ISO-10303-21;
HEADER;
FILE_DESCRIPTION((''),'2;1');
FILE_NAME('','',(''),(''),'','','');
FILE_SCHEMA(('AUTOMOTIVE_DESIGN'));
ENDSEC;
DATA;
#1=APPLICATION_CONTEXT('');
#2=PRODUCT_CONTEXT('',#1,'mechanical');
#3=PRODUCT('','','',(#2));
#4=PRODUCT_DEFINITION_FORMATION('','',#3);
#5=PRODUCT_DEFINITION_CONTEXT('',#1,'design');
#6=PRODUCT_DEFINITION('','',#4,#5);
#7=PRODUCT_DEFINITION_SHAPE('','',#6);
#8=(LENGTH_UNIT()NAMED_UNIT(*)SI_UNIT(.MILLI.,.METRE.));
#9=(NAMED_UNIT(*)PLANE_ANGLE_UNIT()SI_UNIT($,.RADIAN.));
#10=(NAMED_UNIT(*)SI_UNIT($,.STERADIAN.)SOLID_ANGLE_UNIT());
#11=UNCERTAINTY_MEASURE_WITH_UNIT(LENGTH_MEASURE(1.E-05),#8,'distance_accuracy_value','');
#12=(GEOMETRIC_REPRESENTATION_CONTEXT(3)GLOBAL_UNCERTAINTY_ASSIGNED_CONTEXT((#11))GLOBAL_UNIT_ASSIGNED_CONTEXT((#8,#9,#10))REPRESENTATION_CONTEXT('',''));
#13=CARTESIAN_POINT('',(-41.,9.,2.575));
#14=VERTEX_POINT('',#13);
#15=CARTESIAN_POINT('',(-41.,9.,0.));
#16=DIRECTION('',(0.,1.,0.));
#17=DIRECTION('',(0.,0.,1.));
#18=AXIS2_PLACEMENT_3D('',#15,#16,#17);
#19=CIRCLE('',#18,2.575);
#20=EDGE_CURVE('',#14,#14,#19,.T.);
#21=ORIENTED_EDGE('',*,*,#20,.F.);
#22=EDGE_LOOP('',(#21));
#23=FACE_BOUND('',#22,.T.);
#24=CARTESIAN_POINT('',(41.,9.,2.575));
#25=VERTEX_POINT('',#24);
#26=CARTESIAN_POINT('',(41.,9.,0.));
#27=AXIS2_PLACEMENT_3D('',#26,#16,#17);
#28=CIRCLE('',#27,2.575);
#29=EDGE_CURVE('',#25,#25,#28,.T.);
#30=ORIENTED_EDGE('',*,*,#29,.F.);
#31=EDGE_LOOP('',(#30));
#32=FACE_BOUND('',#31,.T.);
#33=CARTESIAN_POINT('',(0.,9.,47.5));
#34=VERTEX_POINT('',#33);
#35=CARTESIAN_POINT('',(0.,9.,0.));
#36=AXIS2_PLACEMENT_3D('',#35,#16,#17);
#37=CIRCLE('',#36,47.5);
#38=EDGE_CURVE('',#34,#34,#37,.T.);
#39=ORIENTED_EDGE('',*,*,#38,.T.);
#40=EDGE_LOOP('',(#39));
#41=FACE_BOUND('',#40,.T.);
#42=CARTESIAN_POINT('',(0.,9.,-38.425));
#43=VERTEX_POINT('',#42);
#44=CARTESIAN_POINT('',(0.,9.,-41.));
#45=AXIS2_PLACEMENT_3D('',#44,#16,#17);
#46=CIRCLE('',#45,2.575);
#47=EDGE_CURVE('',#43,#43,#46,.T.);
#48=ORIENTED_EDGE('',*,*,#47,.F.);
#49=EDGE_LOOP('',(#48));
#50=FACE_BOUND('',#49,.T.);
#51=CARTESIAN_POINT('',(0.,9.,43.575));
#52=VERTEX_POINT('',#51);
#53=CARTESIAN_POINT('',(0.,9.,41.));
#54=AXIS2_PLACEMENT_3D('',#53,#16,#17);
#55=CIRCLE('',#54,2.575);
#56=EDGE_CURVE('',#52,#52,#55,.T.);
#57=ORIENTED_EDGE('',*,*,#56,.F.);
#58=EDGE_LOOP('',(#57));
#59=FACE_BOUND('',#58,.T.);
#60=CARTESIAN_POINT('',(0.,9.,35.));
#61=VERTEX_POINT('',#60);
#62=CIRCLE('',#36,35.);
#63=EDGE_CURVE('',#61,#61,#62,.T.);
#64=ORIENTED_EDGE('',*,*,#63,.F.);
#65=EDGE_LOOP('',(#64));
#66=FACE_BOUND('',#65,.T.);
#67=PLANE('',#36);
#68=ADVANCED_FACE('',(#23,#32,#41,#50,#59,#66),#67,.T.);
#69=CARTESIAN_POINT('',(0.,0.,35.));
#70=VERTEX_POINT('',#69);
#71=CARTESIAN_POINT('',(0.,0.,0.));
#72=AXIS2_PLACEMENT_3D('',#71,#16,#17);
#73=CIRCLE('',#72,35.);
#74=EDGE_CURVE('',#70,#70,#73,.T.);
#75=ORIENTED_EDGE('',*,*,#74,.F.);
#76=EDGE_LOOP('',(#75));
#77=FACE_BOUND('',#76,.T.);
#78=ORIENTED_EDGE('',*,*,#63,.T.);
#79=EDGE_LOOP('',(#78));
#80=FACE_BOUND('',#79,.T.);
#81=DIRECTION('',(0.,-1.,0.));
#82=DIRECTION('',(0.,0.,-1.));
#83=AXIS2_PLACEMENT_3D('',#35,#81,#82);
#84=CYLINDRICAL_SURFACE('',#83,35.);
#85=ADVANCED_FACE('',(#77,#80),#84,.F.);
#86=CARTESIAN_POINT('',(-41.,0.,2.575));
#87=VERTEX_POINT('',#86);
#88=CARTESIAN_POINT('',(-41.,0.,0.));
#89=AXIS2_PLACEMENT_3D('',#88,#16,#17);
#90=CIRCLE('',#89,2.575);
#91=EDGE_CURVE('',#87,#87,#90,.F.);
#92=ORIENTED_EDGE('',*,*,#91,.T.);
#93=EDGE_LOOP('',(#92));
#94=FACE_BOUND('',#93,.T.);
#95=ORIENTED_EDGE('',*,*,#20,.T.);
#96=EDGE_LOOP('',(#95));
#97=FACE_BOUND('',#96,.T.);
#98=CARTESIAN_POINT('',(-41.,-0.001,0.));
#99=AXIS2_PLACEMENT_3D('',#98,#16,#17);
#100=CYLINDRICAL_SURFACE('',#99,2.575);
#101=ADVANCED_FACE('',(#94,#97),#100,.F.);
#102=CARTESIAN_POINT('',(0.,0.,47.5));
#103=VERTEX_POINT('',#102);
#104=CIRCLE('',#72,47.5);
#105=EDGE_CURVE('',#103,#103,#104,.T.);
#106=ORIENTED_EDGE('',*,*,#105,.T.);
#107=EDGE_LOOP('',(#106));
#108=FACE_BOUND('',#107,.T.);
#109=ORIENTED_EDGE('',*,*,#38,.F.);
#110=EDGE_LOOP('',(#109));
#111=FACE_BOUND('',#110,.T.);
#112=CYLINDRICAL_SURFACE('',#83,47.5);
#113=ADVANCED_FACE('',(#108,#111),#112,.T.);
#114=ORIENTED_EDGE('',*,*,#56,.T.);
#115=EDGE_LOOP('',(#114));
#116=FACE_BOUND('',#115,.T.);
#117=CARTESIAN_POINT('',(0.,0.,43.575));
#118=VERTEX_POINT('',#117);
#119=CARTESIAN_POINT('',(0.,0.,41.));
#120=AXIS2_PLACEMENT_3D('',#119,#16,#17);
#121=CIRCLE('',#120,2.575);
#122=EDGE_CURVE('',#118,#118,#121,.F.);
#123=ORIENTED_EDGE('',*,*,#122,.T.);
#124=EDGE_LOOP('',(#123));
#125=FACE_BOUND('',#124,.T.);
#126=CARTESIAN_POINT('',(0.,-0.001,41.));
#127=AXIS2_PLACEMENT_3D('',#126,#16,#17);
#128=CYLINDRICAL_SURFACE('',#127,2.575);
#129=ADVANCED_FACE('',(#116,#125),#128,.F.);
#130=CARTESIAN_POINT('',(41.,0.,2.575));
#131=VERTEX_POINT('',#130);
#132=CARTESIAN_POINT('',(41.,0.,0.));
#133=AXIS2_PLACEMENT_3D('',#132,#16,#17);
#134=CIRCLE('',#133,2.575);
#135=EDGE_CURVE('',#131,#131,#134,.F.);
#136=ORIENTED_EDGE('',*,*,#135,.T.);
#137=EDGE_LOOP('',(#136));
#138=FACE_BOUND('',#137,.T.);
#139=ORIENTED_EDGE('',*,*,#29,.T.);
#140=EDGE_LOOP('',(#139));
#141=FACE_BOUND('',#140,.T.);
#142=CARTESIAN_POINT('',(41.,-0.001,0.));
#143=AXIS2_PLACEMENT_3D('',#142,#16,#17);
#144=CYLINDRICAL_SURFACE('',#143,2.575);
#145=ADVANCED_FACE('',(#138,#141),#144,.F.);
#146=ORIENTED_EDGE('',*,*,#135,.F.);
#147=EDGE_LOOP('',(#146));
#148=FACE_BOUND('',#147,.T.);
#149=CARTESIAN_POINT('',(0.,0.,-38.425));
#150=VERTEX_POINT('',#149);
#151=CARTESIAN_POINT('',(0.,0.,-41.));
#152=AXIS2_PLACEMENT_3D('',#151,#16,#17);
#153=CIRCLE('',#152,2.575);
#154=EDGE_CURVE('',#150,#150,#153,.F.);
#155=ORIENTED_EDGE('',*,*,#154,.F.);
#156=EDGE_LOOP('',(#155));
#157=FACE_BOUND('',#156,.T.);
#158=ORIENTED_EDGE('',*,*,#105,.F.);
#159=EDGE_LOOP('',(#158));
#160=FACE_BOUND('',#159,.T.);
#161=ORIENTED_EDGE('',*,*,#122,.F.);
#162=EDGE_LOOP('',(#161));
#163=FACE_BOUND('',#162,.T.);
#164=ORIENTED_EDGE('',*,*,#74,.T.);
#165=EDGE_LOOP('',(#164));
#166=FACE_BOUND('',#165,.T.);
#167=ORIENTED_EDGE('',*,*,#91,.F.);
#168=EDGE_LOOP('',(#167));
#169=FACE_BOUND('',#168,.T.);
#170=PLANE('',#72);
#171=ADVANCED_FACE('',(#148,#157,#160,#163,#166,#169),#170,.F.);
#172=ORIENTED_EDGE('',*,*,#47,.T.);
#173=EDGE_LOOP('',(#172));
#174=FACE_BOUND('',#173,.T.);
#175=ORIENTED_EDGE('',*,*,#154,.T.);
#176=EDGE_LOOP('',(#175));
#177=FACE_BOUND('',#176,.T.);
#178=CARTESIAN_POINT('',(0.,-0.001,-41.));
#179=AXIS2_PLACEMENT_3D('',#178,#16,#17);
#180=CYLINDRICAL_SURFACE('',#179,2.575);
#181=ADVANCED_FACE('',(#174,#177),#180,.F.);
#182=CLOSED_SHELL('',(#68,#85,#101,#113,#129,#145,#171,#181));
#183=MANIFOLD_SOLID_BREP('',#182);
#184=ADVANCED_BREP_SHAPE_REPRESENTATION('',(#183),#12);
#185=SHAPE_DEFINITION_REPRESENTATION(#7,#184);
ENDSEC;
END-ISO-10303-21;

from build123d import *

# Parameters (mm, degrees)
SKETCH_1_R          = 47.5
SKETCH_1_R_2        = 35
EXTRUDE_1_DEPTH     = 9
CUT_EXTRUDE_1_REACH = 69.775
SKETCH_2_R          = 2.575


with BuildPart() as part:
    # 草图1 → 凸台-拉伸1 (new body)
    with BuildSketch(Plane(origin=(0, 0, 0), x_dir=(1, 0, 0), z_dir=(0, 1, 0))):
        with Locations(Location((0, 0, 0), (0, 0, 270))):
            Circle(SKETCH_1_R)
        with Locations(Location((0, 0, 0), (0, 0, 270))):
            Circle(SKETCH_1_R_2, mode=Mode.SUBTRACT)
    extrude(amount=EXTRUDE_1_DEPTH)

    # 草图2 → 切除-拉伸1 (cut, up to next)
    with BuildSketch(Plane(origin=(0, 9, 0), x_dir=(1, 0, 0), z_dir=(0, 1, 0)), mode=Mode.PRIVATE) as cut_extrude_1_sk1:
        with Locations(Location((0, 41, 0), (0, 0, 270))):
            Circle(SKETCH_2_R)
    cut_extrude_1_tool1 = extrude(cut_extrude_1_sk1.sketch, amount=-CUT_EXTRUDE_1_REACH, mode=Mode.PRIVATE) & part.part
    # 草图2 → 切除-拉伸1 (cut, up to next)
    with BuildSketch(Plane(origin=(0, 9, 0), x_dir=(1, 0, 0), z_dir=(0, 1, 0)), mode=Mode.PRIVATE) as cut_extrude_1_sk2:
        with Locations(Location((41, 0, 0), (0, 0, 270))):
            Circle(SKETCH_2_R)
    cut_extrude_1_tool2 = extrude(cut_extrude_1_sk2.sketch, amount=-CUT_EXTRUDE_1_REACH, mode=Mode.PRIVATE) & part.part
    # 草图2 → 切除-拉伸1 (cut, up to next)
    with BuildSketch(Plane(origin=(0, 9, 0), x_dir=(1, 0, 0), z_dir=(0, 1, 0)), mode=Mode.PRIVATE) as cut_extrude_1_sk3:
        with Locations(Location((0, -41, 0), (0, 0, 270))):
            Circle(SKETCH_2_R)
    cut_extrude_1_tool3 = extrude(cut_extrude_1_sk3.sketch, amount=-CUT_EXTRUDE_1_REACH, mode=Mode.PRIVATE) & part.part
    # 草图2 → 切除-拉伸1 (cut, up to next)
    with BuildSketch(Plane(origin=(0, 9, 0), x_dir=(1, 0, 0), z_dir=(0, 1, 0)), mode=Mode.PRIVATE) as cut_extrude_1_sk4:
        with Locations(Location((-41, 0, 0), (0, 0, 270))):
            Circle(SKETCH_2_R)
    cut_extrude_1_tool4 = extrude(cut_extrude_1_sk4.sketch, amount=-CUT_EXTRUDE_1_REACH, mode=Mode.PRIVATE) & part.part
    add(cut_extrude_1_tool1.solids().sort_by_distance((0, 9, -41))[0], mode=Mode.SUBTRACT)
    add(cut_extrude_1_tool2.solids().sort_by_distance((41, 9, 0))[0], mode=Mode.SUBTRACT)
    add(cut_extrude_1_tool3.solids().sort_by_distance((0, 9, 41))[0], mode=Mode.SUBTRACT)
    add(cut_extrude_1_tool4.solids().sort_by_distance((-41, 9, 0))[0], mode=Mode.SUBTRACT)


solid = part.part
